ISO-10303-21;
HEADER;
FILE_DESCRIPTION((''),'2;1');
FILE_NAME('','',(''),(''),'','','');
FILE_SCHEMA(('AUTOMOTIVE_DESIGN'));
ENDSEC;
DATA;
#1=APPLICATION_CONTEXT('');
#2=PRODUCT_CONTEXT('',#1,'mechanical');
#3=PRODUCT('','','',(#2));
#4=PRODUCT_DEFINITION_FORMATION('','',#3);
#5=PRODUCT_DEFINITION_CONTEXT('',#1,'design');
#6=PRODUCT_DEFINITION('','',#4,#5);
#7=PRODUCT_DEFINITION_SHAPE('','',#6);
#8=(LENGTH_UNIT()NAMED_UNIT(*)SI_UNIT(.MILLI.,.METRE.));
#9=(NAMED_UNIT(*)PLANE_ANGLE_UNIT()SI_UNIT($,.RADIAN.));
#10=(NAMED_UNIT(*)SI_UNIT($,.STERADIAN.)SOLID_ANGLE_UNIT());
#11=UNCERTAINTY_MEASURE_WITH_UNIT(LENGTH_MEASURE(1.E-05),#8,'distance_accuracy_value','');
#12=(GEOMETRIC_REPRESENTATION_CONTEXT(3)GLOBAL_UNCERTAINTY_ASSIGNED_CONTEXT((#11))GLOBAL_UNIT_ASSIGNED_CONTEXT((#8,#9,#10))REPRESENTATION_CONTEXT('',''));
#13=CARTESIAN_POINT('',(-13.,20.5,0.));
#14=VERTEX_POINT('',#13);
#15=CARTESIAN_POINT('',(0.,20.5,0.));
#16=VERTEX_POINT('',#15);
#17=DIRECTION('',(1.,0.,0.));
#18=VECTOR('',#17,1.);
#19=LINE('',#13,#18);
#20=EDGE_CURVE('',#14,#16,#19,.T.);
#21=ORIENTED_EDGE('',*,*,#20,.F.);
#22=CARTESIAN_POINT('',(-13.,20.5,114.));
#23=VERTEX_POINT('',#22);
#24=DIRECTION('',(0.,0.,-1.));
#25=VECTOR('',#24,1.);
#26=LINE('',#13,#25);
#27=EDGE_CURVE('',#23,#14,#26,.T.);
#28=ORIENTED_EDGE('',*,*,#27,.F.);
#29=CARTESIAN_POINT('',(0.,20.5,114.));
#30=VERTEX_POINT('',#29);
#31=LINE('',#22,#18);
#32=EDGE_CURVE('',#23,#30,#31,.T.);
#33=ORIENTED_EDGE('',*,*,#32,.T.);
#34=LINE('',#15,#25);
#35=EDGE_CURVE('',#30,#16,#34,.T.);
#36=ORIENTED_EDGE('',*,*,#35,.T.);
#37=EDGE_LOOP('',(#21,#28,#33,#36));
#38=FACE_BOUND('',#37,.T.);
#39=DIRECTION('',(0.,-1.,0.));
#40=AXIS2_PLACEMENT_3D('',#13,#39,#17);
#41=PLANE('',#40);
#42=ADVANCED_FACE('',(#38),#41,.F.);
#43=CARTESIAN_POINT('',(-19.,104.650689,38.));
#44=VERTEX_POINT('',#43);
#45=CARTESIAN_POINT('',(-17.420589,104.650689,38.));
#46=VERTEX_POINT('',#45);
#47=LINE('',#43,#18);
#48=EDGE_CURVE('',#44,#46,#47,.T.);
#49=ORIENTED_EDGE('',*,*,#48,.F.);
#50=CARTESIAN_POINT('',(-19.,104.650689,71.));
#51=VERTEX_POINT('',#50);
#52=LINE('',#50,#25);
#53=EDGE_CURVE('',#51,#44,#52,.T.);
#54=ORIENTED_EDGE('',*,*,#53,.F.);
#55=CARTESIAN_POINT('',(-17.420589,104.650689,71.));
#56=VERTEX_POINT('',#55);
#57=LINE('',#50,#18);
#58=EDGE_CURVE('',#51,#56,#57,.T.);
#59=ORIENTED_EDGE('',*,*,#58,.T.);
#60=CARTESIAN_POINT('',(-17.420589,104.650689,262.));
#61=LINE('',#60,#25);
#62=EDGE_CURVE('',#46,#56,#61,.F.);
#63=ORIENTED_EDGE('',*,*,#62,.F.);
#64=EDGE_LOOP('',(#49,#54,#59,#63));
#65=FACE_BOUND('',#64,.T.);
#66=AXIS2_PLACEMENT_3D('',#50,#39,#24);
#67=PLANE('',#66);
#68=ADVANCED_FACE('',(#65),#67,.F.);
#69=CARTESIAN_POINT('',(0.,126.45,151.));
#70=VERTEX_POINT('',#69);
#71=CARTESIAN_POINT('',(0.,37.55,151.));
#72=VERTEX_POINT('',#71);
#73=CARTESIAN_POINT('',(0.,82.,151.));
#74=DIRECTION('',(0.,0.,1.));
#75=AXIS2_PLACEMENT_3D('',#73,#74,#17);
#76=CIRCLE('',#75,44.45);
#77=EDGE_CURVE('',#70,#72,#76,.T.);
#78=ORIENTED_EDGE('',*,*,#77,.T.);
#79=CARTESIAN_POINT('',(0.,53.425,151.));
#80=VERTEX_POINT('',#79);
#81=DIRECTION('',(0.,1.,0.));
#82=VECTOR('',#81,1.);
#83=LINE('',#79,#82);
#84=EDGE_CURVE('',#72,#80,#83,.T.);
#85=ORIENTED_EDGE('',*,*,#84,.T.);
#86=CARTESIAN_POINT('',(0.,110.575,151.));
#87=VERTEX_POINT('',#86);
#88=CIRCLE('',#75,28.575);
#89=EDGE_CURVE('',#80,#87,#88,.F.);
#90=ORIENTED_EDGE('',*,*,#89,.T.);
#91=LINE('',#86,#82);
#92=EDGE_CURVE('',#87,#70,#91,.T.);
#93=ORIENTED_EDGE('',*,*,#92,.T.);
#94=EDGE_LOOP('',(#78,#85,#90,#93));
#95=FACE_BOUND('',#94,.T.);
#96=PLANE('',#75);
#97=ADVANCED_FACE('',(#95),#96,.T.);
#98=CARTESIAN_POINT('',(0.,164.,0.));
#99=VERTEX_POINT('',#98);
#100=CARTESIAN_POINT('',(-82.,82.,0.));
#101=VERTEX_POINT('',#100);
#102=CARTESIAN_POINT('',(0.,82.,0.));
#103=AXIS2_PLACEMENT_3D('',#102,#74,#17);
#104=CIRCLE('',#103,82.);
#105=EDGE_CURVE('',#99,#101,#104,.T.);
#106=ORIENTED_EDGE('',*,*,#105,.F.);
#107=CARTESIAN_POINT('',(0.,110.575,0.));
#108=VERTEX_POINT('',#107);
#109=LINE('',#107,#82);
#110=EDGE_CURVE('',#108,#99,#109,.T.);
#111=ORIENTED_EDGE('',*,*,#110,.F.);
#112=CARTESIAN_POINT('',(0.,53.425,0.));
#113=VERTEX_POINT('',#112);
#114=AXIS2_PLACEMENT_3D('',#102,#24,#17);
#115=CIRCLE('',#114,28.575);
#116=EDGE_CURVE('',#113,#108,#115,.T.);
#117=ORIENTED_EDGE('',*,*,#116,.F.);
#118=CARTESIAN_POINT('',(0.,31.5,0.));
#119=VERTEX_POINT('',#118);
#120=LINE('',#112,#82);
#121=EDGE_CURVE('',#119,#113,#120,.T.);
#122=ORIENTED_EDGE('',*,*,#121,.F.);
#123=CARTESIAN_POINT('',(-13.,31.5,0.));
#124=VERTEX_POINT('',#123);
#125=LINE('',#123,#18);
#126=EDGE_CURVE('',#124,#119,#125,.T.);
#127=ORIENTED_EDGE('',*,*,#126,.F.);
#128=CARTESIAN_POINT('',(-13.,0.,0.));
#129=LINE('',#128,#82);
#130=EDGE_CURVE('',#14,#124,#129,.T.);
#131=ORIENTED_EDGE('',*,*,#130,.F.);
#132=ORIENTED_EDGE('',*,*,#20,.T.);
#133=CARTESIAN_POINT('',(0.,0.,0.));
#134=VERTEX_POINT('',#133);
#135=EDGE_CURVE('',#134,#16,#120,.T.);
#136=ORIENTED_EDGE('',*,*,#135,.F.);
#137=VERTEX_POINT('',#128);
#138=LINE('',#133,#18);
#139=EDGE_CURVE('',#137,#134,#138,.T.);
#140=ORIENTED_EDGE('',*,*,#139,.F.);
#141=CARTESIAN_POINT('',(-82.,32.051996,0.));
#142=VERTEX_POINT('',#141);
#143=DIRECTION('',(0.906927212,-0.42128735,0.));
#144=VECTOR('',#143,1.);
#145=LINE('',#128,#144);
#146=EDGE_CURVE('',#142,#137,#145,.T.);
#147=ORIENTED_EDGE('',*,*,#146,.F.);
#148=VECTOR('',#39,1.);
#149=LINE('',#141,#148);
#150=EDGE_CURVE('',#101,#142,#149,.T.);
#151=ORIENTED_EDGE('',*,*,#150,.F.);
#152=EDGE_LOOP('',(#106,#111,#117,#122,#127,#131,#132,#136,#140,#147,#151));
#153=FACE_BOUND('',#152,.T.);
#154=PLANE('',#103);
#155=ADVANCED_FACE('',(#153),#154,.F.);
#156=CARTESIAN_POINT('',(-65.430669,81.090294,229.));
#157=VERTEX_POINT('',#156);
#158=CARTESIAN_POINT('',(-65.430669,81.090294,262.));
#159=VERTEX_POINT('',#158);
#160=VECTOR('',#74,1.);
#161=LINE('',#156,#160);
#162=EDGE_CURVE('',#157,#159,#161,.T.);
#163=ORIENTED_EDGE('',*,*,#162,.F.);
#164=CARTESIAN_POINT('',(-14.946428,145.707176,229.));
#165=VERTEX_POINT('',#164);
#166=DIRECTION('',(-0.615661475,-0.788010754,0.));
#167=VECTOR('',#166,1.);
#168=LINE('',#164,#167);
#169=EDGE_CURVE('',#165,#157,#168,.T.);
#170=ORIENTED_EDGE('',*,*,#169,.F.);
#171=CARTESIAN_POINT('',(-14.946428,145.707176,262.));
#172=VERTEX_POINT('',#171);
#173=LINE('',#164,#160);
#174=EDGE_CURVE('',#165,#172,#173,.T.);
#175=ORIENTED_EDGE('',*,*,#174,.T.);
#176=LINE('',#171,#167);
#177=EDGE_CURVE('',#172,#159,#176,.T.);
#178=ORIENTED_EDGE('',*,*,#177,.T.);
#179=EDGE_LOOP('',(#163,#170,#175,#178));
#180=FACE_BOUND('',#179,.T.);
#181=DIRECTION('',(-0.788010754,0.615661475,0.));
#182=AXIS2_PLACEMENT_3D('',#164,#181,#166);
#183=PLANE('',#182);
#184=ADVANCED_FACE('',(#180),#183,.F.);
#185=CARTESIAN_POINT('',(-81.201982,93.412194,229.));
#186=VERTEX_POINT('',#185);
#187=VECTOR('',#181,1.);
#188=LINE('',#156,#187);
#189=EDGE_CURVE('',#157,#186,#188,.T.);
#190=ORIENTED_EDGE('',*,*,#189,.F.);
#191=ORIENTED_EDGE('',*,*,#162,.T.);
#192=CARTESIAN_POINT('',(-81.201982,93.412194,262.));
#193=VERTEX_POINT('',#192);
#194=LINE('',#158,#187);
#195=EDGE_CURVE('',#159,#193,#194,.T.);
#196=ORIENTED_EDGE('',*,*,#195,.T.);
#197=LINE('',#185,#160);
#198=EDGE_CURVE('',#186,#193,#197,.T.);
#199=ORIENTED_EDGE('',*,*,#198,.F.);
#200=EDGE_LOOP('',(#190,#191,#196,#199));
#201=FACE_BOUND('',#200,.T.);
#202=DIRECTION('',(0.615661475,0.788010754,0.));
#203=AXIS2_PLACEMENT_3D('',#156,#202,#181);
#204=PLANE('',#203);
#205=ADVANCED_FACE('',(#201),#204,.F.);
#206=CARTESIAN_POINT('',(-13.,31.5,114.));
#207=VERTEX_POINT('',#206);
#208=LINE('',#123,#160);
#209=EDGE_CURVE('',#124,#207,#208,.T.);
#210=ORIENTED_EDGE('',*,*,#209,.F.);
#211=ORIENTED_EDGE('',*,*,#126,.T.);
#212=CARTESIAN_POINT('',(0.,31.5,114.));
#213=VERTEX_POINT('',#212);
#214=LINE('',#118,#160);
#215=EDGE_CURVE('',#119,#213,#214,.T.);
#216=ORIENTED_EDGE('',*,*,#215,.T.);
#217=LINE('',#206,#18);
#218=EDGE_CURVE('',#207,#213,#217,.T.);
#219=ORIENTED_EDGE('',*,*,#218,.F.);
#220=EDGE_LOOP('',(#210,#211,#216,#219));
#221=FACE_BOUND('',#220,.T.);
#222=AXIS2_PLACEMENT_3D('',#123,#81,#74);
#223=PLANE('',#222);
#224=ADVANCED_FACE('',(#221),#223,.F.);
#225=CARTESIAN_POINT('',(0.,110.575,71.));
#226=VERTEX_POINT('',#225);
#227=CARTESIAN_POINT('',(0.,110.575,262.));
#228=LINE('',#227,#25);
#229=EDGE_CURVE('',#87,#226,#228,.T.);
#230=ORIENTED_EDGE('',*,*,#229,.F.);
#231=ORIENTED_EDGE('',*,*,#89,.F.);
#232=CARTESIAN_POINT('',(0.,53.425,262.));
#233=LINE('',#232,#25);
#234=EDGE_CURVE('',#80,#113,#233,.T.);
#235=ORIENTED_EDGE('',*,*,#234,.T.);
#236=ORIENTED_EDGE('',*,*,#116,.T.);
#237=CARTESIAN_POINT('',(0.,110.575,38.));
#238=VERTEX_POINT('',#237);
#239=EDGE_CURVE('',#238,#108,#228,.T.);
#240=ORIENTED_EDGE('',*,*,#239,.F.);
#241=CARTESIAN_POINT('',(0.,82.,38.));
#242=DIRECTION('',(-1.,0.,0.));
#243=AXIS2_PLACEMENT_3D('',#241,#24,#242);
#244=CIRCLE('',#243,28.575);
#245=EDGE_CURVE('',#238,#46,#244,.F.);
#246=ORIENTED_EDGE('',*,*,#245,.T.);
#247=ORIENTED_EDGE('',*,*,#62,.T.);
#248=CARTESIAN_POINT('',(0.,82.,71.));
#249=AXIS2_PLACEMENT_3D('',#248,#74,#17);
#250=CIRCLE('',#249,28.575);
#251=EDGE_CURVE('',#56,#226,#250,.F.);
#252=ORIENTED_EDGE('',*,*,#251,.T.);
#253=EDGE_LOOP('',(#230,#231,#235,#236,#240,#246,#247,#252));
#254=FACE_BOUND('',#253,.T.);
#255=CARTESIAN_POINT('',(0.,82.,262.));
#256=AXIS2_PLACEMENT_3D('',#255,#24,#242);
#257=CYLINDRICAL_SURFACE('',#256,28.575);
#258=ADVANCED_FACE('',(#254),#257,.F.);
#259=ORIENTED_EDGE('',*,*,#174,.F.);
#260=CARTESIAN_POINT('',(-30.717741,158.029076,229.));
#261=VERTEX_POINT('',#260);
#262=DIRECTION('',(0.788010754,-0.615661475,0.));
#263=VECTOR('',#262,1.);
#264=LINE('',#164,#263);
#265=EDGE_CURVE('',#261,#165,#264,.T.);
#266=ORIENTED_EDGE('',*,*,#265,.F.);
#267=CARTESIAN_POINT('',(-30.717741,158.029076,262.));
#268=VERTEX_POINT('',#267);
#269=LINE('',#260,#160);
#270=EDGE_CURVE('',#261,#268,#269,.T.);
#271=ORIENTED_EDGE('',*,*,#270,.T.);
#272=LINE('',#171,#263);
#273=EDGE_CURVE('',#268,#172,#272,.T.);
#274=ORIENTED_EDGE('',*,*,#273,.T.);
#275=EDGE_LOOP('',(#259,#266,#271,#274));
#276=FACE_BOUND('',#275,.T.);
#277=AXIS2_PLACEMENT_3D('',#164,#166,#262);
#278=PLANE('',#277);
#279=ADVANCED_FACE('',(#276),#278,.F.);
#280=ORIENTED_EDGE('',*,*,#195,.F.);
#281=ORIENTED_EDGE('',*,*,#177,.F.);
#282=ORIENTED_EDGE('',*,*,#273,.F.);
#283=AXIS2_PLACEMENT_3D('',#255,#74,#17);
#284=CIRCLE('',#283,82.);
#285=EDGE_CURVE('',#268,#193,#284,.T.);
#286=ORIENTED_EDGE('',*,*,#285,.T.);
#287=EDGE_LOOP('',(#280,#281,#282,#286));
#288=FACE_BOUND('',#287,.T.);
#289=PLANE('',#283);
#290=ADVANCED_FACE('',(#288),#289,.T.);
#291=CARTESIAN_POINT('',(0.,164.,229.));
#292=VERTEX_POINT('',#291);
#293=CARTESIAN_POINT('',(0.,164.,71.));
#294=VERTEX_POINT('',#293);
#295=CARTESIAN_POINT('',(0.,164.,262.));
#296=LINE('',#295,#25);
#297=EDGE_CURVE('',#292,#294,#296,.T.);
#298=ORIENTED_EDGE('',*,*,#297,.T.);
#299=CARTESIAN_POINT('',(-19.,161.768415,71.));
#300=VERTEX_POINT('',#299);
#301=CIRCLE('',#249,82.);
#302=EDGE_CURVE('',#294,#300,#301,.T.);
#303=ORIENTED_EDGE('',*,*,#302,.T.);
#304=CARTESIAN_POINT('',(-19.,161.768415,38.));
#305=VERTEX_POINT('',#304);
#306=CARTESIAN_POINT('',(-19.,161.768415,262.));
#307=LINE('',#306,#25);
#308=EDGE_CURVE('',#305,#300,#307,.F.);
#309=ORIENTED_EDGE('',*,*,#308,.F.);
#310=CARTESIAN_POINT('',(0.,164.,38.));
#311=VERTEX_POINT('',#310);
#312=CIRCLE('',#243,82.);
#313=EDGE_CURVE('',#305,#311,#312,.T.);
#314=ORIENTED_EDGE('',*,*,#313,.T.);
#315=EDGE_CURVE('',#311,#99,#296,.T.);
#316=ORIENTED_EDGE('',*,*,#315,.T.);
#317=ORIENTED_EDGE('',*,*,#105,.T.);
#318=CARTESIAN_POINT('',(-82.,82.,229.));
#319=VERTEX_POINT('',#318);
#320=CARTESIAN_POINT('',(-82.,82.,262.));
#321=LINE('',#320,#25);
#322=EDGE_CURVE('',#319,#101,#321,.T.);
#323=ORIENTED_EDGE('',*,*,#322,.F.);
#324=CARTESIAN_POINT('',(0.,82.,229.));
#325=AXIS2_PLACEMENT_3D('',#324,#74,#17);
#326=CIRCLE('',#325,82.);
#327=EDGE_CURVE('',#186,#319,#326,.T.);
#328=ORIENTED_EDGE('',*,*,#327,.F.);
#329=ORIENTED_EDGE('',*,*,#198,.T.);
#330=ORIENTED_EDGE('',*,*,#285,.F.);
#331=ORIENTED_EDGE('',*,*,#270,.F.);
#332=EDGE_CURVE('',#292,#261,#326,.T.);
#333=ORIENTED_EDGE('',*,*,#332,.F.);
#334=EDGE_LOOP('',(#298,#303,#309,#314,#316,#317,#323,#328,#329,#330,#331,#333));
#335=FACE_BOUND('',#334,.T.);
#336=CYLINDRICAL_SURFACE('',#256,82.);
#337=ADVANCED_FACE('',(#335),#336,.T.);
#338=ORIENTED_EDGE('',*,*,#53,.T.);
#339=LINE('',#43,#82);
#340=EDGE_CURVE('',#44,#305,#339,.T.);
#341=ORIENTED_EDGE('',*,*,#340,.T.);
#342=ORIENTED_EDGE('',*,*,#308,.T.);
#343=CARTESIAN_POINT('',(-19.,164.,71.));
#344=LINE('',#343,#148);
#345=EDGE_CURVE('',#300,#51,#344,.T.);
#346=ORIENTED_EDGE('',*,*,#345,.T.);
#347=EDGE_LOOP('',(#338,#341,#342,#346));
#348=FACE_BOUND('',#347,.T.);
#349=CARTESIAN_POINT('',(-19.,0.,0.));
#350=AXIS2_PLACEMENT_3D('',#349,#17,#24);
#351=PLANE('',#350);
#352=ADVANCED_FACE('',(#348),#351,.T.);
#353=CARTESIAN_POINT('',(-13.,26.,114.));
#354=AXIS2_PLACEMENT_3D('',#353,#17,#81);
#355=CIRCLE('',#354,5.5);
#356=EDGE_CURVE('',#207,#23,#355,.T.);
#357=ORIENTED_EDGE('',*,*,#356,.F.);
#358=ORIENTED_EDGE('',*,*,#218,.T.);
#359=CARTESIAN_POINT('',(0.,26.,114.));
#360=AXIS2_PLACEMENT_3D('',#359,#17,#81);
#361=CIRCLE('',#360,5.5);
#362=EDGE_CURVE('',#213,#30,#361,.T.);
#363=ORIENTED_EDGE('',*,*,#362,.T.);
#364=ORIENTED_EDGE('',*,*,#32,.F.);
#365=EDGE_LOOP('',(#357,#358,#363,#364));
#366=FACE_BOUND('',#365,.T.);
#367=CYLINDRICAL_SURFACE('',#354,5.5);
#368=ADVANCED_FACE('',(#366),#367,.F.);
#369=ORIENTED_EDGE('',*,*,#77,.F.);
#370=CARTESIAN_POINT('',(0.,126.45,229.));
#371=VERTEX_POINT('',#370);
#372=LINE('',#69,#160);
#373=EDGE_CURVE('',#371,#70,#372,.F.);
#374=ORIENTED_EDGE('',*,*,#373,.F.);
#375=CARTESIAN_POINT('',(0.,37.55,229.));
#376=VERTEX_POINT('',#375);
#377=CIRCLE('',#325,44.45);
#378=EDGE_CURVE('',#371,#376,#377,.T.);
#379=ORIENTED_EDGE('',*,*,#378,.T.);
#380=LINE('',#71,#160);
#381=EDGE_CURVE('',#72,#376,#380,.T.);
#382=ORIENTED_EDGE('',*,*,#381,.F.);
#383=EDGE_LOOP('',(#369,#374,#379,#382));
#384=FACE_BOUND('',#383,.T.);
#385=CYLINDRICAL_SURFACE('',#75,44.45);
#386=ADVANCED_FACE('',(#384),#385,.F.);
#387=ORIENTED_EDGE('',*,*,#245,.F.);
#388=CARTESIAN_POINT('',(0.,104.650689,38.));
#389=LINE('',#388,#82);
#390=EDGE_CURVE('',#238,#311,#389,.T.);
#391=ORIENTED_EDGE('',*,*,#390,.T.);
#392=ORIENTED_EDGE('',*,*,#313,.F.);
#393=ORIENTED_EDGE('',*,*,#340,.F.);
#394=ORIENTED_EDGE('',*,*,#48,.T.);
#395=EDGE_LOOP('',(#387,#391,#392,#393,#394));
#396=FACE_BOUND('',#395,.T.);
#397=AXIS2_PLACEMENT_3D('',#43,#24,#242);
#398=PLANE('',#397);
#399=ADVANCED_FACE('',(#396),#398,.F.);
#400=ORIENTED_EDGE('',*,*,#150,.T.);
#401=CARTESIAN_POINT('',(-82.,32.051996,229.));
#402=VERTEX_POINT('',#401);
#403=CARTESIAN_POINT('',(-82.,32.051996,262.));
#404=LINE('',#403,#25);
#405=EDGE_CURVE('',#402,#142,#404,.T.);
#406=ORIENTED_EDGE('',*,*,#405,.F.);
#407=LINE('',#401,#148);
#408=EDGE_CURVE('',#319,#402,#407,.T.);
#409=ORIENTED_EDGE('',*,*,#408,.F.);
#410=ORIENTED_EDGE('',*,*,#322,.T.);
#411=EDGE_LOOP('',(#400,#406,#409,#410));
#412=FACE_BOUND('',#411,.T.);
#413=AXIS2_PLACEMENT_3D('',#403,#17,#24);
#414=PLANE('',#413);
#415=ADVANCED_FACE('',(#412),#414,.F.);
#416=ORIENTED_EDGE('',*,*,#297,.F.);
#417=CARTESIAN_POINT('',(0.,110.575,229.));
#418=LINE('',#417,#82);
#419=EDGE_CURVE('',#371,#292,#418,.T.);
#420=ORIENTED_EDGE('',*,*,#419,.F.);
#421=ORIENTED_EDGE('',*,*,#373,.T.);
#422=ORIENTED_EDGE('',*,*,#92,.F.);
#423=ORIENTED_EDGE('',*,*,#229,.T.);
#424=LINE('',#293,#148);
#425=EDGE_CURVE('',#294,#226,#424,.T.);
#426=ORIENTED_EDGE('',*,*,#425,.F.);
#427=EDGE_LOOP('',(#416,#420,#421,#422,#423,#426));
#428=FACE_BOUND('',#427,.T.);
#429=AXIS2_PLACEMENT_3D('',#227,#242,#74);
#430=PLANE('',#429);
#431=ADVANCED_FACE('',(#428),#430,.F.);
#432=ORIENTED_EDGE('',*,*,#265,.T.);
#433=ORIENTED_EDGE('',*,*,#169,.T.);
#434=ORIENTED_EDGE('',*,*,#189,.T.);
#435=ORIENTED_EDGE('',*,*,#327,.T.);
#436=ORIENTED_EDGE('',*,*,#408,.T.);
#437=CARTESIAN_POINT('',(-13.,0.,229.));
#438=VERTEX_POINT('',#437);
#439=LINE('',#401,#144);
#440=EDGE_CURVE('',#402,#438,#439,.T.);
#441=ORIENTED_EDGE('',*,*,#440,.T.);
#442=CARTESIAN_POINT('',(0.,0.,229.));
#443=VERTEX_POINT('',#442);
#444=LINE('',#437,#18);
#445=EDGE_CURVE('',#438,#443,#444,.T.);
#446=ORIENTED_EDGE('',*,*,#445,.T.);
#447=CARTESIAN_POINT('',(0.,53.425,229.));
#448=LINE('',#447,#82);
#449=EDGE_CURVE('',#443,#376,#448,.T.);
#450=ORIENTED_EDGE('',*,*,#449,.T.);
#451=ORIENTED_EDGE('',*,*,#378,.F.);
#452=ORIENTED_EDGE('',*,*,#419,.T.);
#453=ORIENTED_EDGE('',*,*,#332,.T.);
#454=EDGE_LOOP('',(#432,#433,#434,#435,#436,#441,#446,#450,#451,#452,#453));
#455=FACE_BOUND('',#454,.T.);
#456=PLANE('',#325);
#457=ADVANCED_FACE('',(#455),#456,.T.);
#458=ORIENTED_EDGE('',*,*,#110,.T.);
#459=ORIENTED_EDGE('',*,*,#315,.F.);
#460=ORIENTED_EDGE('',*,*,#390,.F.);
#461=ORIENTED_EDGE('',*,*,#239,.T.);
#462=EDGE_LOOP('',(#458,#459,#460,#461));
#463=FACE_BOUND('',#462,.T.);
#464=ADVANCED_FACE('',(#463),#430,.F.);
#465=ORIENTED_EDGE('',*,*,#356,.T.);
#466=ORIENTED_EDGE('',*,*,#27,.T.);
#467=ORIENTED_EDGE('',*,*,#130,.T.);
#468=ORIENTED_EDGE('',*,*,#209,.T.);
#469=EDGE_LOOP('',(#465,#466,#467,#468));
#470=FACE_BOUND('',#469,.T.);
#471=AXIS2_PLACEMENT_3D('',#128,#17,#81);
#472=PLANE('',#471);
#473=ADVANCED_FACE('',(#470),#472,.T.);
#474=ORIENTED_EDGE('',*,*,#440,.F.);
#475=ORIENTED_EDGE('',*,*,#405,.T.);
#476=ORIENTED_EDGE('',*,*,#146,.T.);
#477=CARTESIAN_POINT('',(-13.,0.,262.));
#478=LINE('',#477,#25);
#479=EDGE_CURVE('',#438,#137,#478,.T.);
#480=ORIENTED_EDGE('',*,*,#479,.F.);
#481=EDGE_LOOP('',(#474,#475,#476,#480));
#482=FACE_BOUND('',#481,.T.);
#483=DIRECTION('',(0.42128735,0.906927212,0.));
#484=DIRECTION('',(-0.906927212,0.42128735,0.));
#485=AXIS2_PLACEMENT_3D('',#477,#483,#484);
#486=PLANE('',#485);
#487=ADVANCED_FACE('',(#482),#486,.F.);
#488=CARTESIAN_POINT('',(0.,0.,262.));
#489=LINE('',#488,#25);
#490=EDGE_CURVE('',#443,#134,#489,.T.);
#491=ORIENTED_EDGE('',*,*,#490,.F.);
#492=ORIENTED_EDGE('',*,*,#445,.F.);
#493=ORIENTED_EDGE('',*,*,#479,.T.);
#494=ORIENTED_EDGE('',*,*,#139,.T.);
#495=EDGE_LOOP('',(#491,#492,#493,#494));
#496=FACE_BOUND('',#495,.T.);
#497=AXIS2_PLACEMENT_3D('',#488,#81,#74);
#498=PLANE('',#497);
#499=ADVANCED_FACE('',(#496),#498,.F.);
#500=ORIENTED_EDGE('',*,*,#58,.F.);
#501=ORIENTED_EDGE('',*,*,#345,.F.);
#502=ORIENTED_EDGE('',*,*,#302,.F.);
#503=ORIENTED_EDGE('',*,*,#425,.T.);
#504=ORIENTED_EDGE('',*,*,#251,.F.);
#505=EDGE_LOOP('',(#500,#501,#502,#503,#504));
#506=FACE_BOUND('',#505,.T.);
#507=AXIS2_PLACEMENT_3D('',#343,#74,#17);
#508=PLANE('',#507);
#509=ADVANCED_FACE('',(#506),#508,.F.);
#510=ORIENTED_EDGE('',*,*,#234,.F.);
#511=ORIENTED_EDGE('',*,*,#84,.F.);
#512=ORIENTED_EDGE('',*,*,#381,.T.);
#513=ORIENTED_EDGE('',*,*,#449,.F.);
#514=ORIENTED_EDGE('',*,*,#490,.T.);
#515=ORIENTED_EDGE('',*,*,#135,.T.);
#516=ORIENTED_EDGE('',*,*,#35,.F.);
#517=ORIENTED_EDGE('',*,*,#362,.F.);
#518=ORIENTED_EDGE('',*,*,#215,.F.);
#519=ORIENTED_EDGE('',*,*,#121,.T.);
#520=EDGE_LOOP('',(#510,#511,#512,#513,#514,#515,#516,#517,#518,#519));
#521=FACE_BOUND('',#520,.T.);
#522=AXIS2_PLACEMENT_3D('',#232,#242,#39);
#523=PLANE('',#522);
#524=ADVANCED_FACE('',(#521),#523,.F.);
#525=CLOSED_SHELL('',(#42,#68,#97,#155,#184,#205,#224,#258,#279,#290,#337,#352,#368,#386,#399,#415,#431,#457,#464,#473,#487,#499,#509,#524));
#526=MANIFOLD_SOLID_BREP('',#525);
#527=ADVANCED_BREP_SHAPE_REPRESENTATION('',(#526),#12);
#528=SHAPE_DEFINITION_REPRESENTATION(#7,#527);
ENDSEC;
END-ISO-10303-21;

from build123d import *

# Parameters (mm, degrees)
BOSS_EXTRUDE1_DEPTH = 262
CUT_EXTRUDE3_START  = -33
CUT_EXTRUDE3_DEPTH  = 33
SKETCH4_R           = 44.45
CUT_EXTRUDE4_DEPTH  = 78
SKETCH6_W           = 33
SKETCH6_H           = 59.34931139
CUT_EXTRUDE6_DEPTH  = 19
SKETCH7_R           = 5.5
CUT_EXTRUDE7_DEPTH  = 13


with BuildPart() as part:
    # Sketch1 → Boss-Extrude1 (new body)
    with BuildSketch(Plane.XY):
        with BuildLine():
            Line((0, 0), (-13, 0))
            Line((-13, 0), (-82, 32.051995773))
            Line((-82, 32.051995773), (-82, 82))
            ThreePointArc((-82, 82), (-57.982756057, 139.982756057), (0, 164))
            Line((0, 164), (0, 110.575))
            ThreePointArc((0, 110.575), (-28.575, 82), (0, 53.425))
            Line((0, 53.425), (0, 0))
        make_face()
    extrude(amount=BOSS_EXTRUDE1_DEPTH)

    # Sketch2 → Cut-Extrude3 (cut)
    with BuildSketch(Plane.XY.offset(262).offset(CUT_EXTRUDE3_START)):
        with BuildLine():
            Line((0, 53.425), (0, 0))
            Line((0, 0), (-13, 0))
            Line((-13, 0), (-82, 32.051995773))
            Line((-82, 32.051995773), (-82, 82))
            ThreePointArc((-82, 82), (-81.800252121, 87.720030847), (-81.201981637, 93.412194279))
            Line((-81.201981637, 93.412194279), (-65.430668922, 81.090294344))
            Line((-65.430668922, 81.090294344), (-14.946427946, 145.707176139))
            Line((-14.946427946, 145.707176139), (-30.71774066, 158.029076074))
            ThreePointArc((-30.71774066, 158.029076074), (-15.646337621, 162.493429043), (0, 164))
            Line((0, 164), (0, 110.575))
            ThreePointArc((0, 110.575), (-28.575, 82), (0, 53.425))
        make_face()
    extrude(amount=CUT_EXTRUDE3_DEPTH, mode=Mode.SUBTRACT)

    # Sketch4 → Cut-Extrude4 (cut)
    with BuildSketch(Plane.XY.offset(229)):
        with Locations((0, 82)):
            Circle(SKETCH4_R)
    extrude(amount=-CUT_EXTRUDE4_DEPTH, mode=Mode.SUBTRACT)

    # Sketch6 → Cut-Extrude6 (cut)
    with BuildSketch(Plane(origin=(0, 0, 0), x_dir=(0, 0, -1), z_dir=(1, 0, 0))):
        with Locations((-54.5, 134.325344305)):
            Rectangle(SKETCH6_W, SKETCH6_H)
    extrude(amount=-CUT_EXTRUDE6_DEPTH, mode=Mode.SUBTRACT)

    # Sketch7 → Cut-Extrude7 (cut)
    with BuildSketch(Plane(origin=(0, 0, 0), x_dir=(0, 0, -1), z_dir=(1, 0, 0))):
        with BuildLine():
            ThreePointArc((-108.5, 26), (-110.110912703, 22.110912703), (-114, 20.5))
            Line((-114, 20.5), (0, 20.5))
            Line((0, 20.5), (0, 31.5))
            Line((0, 31.5), (-114, 31.5))
            ThreePointArc((-114, 31.5), (-110.110912703, 29.889087297), (-108.5, 26))
        make_face()
        with Locations((-114, 26)):
            Circle(SKETCH7_R)
    extrude(amount=-CUT_EXTRUDE7_DEPTH, mode=Mode.SUBTRACT)


solid = part.part
